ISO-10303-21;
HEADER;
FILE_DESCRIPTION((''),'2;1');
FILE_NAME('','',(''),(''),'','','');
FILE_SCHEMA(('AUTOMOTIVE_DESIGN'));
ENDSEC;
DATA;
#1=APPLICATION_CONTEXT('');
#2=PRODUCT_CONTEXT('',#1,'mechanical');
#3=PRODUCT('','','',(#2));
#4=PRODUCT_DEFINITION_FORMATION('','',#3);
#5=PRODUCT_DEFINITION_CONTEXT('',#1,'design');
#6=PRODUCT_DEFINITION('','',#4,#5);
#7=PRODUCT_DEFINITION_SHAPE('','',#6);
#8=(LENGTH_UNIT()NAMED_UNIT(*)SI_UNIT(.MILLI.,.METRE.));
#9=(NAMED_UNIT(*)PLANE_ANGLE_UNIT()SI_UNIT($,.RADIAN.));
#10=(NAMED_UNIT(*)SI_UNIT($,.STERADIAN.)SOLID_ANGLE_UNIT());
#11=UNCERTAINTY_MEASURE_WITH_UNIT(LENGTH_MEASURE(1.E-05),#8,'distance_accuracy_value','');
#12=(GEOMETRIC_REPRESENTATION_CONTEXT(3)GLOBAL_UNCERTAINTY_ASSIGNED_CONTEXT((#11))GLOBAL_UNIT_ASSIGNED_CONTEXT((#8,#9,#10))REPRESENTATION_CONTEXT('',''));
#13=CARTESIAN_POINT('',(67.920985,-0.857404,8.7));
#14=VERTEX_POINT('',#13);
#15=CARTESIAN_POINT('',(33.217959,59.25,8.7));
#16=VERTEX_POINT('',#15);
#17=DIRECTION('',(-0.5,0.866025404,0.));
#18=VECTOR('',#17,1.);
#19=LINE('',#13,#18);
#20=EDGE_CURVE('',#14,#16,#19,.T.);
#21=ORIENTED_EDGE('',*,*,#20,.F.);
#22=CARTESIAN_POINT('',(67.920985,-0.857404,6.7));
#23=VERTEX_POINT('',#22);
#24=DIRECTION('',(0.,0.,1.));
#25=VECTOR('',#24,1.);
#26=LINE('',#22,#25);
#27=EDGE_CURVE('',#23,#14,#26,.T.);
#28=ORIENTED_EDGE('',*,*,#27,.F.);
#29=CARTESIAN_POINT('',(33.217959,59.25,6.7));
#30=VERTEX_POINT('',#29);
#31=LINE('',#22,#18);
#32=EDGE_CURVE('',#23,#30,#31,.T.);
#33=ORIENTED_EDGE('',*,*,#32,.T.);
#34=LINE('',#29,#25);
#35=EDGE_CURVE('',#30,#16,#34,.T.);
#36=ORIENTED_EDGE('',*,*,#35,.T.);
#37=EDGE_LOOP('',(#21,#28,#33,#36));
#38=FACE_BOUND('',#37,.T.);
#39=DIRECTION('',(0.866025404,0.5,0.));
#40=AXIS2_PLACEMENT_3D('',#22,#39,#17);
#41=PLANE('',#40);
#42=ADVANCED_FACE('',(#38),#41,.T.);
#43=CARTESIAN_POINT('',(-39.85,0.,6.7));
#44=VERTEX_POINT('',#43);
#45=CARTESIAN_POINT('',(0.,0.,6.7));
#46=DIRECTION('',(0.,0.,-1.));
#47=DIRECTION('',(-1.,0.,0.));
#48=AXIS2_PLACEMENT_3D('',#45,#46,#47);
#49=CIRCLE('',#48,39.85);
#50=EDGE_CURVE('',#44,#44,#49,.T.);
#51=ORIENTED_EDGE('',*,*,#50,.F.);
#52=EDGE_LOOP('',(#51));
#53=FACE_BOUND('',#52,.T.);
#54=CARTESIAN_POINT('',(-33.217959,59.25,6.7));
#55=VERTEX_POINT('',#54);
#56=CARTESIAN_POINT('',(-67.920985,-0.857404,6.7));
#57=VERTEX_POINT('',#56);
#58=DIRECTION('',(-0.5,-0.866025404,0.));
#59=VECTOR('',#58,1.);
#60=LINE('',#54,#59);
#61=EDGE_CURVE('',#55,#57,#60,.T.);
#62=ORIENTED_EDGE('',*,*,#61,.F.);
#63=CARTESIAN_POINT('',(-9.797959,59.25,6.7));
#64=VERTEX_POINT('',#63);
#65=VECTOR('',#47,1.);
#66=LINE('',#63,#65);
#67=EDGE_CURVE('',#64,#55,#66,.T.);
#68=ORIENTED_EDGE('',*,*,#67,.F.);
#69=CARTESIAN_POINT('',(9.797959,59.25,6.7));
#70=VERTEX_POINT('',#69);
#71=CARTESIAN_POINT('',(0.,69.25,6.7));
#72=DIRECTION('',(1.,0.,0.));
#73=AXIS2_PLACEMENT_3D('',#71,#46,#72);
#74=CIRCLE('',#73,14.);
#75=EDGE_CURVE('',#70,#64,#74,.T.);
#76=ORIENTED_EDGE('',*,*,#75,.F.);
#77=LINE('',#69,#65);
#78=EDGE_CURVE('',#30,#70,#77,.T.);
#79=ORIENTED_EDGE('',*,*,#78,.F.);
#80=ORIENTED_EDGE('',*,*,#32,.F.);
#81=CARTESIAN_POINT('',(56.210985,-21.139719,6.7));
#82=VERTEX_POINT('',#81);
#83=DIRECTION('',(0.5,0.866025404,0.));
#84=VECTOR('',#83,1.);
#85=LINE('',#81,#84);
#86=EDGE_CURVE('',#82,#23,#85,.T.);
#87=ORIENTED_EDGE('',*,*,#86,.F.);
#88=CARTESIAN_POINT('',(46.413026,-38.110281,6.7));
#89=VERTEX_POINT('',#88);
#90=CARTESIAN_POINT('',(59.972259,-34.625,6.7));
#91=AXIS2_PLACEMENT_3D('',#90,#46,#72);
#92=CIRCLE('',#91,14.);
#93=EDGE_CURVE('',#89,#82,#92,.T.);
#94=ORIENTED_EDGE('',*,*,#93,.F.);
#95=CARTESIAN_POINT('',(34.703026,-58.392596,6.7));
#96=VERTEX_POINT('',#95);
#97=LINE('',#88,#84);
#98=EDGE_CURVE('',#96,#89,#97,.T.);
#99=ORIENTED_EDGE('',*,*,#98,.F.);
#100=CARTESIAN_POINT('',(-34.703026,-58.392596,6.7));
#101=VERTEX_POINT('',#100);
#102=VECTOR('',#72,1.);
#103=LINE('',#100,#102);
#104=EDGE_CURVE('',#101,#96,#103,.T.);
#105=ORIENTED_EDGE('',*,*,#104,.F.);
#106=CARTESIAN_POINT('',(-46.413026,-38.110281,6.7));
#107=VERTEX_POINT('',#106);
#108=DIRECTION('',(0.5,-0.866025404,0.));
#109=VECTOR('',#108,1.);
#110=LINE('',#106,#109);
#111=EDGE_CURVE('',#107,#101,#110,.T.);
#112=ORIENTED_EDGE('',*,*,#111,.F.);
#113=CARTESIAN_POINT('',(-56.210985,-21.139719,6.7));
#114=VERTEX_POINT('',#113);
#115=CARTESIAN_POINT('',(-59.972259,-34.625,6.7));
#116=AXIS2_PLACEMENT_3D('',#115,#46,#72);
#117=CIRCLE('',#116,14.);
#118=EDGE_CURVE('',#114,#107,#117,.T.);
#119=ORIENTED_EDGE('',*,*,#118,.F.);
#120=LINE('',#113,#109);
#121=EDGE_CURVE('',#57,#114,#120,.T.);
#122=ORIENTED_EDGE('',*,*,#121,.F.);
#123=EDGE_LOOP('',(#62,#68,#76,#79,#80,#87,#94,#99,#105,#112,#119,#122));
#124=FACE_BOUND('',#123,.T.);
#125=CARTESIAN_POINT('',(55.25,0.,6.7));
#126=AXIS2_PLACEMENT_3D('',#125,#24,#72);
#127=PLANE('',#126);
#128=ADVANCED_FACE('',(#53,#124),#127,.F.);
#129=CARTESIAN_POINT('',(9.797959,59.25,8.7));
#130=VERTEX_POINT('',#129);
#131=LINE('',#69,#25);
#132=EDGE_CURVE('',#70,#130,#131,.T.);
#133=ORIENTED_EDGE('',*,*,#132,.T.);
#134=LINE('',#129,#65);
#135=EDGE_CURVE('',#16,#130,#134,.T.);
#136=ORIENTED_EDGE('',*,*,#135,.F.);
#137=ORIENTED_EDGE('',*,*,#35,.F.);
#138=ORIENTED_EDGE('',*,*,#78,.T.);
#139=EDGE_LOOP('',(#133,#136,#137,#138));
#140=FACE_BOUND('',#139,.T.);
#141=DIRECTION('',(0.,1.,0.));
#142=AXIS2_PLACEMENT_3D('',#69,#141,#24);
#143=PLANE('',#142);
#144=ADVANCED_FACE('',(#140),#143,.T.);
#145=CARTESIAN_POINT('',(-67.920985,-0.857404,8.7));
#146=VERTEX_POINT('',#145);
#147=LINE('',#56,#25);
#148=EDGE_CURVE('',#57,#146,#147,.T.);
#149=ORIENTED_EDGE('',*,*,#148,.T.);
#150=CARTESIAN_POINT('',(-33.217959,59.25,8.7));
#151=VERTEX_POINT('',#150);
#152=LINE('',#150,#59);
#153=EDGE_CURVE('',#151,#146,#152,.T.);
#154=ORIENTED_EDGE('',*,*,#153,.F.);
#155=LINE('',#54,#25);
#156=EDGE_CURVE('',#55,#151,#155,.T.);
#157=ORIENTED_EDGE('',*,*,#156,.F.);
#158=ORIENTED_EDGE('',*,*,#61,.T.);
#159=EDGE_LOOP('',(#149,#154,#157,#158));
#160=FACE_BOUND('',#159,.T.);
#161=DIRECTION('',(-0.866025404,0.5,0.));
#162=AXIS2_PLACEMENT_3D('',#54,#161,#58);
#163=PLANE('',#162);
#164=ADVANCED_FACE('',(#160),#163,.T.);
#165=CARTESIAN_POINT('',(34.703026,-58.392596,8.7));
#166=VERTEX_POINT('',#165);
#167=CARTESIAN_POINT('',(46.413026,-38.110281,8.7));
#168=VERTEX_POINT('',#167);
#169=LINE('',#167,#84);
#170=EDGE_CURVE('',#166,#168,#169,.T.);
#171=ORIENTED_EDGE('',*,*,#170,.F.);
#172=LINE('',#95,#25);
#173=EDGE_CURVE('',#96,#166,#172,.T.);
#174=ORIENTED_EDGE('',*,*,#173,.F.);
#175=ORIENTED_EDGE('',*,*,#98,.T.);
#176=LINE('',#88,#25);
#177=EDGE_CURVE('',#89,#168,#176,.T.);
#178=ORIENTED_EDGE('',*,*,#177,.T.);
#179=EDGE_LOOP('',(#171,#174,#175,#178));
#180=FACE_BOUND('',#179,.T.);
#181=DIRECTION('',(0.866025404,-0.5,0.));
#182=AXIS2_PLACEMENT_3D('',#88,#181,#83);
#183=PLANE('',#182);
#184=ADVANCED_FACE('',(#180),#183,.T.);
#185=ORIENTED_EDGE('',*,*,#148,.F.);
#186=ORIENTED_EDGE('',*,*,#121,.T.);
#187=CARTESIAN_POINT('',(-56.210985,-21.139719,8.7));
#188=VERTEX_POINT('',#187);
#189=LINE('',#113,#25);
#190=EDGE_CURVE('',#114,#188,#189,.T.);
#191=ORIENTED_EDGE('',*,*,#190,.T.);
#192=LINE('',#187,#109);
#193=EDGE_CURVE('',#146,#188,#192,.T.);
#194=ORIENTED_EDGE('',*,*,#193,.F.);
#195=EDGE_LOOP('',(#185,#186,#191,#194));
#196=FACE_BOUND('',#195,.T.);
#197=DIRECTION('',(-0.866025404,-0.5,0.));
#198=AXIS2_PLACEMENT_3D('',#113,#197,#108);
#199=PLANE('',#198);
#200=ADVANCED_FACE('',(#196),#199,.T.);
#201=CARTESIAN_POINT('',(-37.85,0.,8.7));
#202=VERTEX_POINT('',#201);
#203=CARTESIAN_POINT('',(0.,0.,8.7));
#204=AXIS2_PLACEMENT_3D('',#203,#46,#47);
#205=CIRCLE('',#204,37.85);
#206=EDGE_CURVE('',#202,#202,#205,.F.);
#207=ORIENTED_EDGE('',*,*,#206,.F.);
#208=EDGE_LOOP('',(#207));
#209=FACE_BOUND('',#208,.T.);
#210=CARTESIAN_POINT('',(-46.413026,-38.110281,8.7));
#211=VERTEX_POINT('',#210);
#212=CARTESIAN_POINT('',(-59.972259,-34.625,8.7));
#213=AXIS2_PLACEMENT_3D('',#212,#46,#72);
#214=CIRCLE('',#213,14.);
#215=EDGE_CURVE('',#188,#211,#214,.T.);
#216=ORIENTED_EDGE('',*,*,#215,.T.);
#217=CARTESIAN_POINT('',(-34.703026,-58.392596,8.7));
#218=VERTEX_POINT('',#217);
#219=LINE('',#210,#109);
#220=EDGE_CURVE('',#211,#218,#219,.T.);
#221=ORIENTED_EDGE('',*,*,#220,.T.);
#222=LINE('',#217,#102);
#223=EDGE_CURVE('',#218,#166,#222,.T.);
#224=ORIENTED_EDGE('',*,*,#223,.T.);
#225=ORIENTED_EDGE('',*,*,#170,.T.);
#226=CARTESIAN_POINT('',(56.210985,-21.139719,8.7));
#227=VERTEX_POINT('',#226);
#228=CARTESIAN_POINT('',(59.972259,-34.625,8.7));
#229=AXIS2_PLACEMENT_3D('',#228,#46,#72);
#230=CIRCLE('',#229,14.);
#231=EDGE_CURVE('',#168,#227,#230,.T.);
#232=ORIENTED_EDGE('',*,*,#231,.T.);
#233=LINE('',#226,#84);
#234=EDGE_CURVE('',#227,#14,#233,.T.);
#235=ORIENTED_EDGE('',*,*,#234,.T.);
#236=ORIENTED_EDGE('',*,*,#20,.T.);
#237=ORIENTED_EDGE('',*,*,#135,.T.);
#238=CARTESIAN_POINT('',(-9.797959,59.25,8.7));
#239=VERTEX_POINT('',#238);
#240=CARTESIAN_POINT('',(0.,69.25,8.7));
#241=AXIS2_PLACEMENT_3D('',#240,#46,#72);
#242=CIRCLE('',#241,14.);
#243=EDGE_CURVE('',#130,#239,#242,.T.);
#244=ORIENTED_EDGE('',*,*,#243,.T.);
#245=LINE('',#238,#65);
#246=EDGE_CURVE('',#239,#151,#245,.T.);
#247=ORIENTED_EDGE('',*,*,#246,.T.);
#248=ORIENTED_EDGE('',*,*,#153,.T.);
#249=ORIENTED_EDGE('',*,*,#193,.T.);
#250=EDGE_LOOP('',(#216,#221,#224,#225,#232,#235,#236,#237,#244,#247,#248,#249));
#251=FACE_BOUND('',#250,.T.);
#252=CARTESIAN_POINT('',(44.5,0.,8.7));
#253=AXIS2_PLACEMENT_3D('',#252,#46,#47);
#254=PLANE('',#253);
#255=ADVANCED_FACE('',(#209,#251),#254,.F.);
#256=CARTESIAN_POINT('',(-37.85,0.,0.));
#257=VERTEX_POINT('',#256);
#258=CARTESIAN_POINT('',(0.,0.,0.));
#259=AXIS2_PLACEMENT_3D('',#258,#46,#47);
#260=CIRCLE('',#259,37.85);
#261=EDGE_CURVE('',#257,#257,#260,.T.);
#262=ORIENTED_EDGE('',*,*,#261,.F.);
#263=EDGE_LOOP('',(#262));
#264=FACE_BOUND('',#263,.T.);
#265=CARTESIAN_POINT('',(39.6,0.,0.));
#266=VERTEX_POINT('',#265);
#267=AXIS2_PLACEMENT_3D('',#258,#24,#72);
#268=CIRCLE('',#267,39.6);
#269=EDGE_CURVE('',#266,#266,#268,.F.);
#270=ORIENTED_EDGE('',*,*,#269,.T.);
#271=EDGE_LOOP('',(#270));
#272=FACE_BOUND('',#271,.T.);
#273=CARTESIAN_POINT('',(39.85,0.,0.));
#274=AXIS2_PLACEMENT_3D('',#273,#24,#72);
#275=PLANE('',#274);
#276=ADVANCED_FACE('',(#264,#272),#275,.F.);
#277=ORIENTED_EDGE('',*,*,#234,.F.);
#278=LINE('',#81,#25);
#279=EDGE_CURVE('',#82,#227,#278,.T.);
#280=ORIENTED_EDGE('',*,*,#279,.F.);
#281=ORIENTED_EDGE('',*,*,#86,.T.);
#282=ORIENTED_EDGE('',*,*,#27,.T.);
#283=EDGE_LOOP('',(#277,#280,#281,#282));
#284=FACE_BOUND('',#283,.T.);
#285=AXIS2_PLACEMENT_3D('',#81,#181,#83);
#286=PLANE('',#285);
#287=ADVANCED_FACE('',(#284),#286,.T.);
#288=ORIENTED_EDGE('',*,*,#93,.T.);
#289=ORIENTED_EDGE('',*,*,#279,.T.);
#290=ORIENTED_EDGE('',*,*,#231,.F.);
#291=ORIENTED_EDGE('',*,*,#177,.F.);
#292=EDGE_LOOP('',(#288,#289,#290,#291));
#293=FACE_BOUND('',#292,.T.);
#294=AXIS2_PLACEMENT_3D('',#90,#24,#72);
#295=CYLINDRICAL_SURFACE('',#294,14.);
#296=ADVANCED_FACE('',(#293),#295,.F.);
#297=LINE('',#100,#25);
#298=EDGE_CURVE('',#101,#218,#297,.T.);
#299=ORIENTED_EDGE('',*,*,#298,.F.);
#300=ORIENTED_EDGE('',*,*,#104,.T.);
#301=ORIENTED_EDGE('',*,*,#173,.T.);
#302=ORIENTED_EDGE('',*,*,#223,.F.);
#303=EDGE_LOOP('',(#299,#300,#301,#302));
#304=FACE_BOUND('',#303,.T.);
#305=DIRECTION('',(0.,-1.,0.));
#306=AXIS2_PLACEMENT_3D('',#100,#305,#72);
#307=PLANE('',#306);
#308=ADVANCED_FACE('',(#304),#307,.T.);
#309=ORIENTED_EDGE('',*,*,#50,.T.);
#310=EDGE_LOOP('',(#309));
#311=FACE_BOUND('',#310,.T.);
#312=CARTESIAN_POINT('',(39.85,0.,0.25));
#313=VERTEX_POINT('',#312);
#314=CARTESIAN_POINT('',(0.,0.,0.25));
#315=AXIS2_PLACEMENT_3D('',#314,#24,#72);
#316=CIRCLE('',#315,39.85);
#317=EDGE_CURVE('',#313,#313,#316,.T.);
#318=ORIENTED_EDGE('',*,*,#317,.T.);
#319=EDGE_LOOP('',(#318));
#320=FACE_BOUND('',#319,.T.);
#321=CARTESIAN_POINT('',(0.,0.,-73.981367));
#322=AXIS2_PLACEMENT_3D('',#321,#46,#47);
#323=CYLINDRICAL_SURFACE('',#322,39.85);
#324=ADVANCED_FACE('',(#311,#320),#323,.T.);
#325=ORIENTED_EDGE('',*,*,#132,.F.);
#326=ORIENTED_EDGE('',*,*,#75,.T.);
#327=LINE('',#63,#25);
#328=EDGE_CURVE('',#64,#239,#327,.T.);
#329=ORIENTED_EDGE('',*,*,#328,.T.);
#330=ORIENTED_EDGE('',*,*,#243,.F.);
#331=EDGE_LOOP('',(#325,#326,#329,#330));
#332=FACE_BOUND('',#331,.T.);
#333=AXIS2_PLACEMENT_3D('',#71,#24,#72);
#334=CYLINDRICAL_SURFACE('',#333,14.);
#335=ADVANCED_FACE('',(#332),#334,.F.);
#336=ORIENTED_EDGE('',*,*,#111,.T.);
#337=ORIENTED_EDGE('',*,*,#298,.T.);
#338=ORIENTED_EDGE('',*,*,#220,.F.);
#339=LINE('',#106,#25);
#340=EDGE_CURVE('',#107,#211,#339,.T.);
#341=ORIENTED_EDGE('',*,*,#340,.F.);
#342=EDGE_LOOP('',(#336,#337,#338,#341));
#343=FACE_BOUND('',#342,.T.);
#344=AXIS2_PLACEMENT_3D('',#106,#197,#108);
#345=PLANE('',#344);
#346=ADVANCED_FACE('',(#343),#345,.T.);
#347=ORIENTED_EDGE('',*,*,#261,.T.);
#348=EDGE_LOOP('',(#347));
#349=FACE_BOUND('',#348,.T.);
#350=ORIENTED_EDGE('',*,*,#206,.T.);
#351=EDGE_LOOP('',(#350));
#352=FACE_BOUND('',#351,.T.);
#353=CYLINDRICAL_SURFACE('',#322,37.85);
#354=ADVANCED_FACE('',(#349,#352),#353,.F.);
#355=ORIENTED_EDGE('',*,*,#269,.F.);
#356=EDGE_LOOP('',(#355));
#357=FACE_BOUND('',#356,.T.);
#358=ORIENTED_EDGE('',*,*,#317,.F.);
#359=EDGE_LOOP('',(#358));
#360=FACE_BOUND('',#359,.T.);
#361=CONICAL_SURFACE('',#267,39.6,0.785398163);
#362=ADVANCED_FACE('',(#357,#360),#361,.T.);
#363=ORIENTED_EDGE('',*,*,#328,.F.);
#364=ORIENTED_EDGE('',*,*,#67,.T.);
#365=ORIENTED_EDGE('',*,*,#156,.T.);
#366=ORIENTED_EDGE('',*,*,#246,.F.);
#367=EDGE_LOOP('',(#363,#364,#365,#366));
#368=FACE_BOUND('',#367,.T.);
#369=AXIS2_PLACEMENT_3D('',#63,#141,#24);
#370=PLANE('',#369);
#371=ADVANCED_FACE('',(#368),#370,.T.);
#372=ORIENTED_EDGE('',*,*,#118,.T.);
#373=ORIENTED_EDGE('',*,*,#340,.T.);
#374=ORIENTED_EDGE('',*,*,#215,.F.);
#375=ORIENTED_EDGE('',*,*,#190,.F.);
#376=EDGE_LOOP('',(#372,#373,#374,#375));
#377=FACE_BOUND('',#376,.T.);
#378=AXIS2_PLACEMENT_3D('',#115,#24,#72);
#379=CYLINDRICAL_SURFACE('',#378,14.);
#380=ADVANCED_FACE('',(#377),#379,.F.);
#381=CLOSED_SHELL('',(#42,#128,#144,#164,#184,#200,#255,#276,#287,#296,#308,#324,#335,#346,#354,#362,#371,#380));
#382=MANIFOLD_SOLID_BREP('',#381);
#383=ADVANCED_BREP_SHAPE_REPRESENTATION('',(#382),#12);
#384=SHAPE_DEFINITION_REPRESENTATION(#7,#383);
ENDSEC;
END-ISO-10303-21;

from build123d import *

# Parameters (mm, degrees)
CHAMFER1_SIZE           = 0.25
BOSS_EXTRUDE1_START     = -2
SKETCH2_R               = 44.5
BOSS_EXTRUDE1_DEPTH     = 2
CUT_EXTRUDE3_DEPTH      = 93.051684706
CUT_EXTRUDE3_DEPTH_BACK = 93.051684706
SKETCH4_W               = 115.72626858
SKETCH4_H               = 18.336467462
CHAMFER2_SIZE           = 0.25


with BuildPart() as part:
    # Sketch1 → Revolve1 (revolve)
    with BuildSketch(Plane(origin=(0, 0, 0), x_dir=(1, 0, 0), z_dir=(0, 1, 0)), mode=Mode.PRIVATE) as revolve1_sk:
        Polygon((37.85, 0), (37.85, -18.7), (44.5, -18.7), (44.5, -16.2), (43.5, -16.2), (43.5, -11.2), (44.5, -11.2), (44.5, -8.7), (55.25, -8.7), (55.25, -6.7), (39.85, -6.7), (39.85, 0), align=None)
    revolve(revolve1_sk.sketch.rotate(Axis((0, 0, -73.981367368), (0, 0, 1)), 180), axis=Axis((0, 0, -73.981367368), (0, 0, 1)))

    # Chamfer1
    chamfer1_edges = [part.edges().sort_by_distance(p)[0] for p in [
        (44.5, 0, 11.2),
        (43.5, 0, 11.2),
        (43.5, 0, 16.2),
        (44.5, 0, 16.2),
    ]]
    chamfer(chamfer1_edges, length=CHAMFER1_SIZE)

    # Sketch2 → Boss-Extrude1 (add)
    with BuildSketch(Plane.XY.offset(8.7).offset(BOSS_EXTRUDE1_START)):
        with BuildLine():
            Line((9.797958971, 59.25), (33.217958971, 59.25))
            Line((33.217958971, 59.25), (67.92098466, -0.857403669))
            Line((67.92098466, -0.857403669), (56.21098466, -21.139718626))
            ThreePointArc((56.21098466, -21.139718626), (47.847903559, -27.625), (46.413025689, -38.110281374))
            Line((46.413025689, -38.110281374), (34.703025689, -58.392596331))
            Line((34.703025689, -58.392596331), (-34.703025689, -58.392596331))
            Line((-34.703025689, -58.392596331), (-46.413025689, -38.110281374))
            ThreePointArc((-46.413025689, -38.110281374), (-47.847903559, -27.625), (-56.21098466, -21.139718626))
            Line((-56.21098466, -21.139718626), (-67.92098466, -0.857403669))
            Line((-67.92098466, -0.857403669), (-33.217958971, 59.25))
            Line((-33.217958971, 59.25), (-9.797958971, 59.25))
            ThreePointArc((-9.797958971, 59.25), (0, 55.25), (9.797958971, 59.25))
        make_face()
        with Locations(Location((0, 0, 0), (0, 0, 180))):
            Circle(SKETCH2_R, mode=Mode.SUBTRACT)
    extrude(amount=BOSS_EXTRUDE1_DEPTH)

    # Sketch4 → Cut-Extrude3 (cut, two sides: drawn at the far end of the back side and taken through both)
    with BuildSketch(Plane(origin=(0, 0, 0), x_dir=(1, 0, 0), z_dir=(0, 1, 0)).offset(-CUT_EXTRUDE3_DEPTH_BACK)):
        with Locations((0.509486717, -17.868233731)):
            Rectangle(SKETCH4_W, SKETCH4_H)
    extrude(amount=CUT_EXTRUDE3_DEPTH + CUT_EXTRUDE3_DEPTH_BACK, mode=Mode.SUBTRACT)

    # Chamfer2
    chamfer2_edges = [part.edges().sort_by_distance(p)[0] for p in [
        (39.85, 0, 0),
    ]]
    chamfer(chamfer2_edges, length=CHAMFER2_SIZE)


solid = part.part
